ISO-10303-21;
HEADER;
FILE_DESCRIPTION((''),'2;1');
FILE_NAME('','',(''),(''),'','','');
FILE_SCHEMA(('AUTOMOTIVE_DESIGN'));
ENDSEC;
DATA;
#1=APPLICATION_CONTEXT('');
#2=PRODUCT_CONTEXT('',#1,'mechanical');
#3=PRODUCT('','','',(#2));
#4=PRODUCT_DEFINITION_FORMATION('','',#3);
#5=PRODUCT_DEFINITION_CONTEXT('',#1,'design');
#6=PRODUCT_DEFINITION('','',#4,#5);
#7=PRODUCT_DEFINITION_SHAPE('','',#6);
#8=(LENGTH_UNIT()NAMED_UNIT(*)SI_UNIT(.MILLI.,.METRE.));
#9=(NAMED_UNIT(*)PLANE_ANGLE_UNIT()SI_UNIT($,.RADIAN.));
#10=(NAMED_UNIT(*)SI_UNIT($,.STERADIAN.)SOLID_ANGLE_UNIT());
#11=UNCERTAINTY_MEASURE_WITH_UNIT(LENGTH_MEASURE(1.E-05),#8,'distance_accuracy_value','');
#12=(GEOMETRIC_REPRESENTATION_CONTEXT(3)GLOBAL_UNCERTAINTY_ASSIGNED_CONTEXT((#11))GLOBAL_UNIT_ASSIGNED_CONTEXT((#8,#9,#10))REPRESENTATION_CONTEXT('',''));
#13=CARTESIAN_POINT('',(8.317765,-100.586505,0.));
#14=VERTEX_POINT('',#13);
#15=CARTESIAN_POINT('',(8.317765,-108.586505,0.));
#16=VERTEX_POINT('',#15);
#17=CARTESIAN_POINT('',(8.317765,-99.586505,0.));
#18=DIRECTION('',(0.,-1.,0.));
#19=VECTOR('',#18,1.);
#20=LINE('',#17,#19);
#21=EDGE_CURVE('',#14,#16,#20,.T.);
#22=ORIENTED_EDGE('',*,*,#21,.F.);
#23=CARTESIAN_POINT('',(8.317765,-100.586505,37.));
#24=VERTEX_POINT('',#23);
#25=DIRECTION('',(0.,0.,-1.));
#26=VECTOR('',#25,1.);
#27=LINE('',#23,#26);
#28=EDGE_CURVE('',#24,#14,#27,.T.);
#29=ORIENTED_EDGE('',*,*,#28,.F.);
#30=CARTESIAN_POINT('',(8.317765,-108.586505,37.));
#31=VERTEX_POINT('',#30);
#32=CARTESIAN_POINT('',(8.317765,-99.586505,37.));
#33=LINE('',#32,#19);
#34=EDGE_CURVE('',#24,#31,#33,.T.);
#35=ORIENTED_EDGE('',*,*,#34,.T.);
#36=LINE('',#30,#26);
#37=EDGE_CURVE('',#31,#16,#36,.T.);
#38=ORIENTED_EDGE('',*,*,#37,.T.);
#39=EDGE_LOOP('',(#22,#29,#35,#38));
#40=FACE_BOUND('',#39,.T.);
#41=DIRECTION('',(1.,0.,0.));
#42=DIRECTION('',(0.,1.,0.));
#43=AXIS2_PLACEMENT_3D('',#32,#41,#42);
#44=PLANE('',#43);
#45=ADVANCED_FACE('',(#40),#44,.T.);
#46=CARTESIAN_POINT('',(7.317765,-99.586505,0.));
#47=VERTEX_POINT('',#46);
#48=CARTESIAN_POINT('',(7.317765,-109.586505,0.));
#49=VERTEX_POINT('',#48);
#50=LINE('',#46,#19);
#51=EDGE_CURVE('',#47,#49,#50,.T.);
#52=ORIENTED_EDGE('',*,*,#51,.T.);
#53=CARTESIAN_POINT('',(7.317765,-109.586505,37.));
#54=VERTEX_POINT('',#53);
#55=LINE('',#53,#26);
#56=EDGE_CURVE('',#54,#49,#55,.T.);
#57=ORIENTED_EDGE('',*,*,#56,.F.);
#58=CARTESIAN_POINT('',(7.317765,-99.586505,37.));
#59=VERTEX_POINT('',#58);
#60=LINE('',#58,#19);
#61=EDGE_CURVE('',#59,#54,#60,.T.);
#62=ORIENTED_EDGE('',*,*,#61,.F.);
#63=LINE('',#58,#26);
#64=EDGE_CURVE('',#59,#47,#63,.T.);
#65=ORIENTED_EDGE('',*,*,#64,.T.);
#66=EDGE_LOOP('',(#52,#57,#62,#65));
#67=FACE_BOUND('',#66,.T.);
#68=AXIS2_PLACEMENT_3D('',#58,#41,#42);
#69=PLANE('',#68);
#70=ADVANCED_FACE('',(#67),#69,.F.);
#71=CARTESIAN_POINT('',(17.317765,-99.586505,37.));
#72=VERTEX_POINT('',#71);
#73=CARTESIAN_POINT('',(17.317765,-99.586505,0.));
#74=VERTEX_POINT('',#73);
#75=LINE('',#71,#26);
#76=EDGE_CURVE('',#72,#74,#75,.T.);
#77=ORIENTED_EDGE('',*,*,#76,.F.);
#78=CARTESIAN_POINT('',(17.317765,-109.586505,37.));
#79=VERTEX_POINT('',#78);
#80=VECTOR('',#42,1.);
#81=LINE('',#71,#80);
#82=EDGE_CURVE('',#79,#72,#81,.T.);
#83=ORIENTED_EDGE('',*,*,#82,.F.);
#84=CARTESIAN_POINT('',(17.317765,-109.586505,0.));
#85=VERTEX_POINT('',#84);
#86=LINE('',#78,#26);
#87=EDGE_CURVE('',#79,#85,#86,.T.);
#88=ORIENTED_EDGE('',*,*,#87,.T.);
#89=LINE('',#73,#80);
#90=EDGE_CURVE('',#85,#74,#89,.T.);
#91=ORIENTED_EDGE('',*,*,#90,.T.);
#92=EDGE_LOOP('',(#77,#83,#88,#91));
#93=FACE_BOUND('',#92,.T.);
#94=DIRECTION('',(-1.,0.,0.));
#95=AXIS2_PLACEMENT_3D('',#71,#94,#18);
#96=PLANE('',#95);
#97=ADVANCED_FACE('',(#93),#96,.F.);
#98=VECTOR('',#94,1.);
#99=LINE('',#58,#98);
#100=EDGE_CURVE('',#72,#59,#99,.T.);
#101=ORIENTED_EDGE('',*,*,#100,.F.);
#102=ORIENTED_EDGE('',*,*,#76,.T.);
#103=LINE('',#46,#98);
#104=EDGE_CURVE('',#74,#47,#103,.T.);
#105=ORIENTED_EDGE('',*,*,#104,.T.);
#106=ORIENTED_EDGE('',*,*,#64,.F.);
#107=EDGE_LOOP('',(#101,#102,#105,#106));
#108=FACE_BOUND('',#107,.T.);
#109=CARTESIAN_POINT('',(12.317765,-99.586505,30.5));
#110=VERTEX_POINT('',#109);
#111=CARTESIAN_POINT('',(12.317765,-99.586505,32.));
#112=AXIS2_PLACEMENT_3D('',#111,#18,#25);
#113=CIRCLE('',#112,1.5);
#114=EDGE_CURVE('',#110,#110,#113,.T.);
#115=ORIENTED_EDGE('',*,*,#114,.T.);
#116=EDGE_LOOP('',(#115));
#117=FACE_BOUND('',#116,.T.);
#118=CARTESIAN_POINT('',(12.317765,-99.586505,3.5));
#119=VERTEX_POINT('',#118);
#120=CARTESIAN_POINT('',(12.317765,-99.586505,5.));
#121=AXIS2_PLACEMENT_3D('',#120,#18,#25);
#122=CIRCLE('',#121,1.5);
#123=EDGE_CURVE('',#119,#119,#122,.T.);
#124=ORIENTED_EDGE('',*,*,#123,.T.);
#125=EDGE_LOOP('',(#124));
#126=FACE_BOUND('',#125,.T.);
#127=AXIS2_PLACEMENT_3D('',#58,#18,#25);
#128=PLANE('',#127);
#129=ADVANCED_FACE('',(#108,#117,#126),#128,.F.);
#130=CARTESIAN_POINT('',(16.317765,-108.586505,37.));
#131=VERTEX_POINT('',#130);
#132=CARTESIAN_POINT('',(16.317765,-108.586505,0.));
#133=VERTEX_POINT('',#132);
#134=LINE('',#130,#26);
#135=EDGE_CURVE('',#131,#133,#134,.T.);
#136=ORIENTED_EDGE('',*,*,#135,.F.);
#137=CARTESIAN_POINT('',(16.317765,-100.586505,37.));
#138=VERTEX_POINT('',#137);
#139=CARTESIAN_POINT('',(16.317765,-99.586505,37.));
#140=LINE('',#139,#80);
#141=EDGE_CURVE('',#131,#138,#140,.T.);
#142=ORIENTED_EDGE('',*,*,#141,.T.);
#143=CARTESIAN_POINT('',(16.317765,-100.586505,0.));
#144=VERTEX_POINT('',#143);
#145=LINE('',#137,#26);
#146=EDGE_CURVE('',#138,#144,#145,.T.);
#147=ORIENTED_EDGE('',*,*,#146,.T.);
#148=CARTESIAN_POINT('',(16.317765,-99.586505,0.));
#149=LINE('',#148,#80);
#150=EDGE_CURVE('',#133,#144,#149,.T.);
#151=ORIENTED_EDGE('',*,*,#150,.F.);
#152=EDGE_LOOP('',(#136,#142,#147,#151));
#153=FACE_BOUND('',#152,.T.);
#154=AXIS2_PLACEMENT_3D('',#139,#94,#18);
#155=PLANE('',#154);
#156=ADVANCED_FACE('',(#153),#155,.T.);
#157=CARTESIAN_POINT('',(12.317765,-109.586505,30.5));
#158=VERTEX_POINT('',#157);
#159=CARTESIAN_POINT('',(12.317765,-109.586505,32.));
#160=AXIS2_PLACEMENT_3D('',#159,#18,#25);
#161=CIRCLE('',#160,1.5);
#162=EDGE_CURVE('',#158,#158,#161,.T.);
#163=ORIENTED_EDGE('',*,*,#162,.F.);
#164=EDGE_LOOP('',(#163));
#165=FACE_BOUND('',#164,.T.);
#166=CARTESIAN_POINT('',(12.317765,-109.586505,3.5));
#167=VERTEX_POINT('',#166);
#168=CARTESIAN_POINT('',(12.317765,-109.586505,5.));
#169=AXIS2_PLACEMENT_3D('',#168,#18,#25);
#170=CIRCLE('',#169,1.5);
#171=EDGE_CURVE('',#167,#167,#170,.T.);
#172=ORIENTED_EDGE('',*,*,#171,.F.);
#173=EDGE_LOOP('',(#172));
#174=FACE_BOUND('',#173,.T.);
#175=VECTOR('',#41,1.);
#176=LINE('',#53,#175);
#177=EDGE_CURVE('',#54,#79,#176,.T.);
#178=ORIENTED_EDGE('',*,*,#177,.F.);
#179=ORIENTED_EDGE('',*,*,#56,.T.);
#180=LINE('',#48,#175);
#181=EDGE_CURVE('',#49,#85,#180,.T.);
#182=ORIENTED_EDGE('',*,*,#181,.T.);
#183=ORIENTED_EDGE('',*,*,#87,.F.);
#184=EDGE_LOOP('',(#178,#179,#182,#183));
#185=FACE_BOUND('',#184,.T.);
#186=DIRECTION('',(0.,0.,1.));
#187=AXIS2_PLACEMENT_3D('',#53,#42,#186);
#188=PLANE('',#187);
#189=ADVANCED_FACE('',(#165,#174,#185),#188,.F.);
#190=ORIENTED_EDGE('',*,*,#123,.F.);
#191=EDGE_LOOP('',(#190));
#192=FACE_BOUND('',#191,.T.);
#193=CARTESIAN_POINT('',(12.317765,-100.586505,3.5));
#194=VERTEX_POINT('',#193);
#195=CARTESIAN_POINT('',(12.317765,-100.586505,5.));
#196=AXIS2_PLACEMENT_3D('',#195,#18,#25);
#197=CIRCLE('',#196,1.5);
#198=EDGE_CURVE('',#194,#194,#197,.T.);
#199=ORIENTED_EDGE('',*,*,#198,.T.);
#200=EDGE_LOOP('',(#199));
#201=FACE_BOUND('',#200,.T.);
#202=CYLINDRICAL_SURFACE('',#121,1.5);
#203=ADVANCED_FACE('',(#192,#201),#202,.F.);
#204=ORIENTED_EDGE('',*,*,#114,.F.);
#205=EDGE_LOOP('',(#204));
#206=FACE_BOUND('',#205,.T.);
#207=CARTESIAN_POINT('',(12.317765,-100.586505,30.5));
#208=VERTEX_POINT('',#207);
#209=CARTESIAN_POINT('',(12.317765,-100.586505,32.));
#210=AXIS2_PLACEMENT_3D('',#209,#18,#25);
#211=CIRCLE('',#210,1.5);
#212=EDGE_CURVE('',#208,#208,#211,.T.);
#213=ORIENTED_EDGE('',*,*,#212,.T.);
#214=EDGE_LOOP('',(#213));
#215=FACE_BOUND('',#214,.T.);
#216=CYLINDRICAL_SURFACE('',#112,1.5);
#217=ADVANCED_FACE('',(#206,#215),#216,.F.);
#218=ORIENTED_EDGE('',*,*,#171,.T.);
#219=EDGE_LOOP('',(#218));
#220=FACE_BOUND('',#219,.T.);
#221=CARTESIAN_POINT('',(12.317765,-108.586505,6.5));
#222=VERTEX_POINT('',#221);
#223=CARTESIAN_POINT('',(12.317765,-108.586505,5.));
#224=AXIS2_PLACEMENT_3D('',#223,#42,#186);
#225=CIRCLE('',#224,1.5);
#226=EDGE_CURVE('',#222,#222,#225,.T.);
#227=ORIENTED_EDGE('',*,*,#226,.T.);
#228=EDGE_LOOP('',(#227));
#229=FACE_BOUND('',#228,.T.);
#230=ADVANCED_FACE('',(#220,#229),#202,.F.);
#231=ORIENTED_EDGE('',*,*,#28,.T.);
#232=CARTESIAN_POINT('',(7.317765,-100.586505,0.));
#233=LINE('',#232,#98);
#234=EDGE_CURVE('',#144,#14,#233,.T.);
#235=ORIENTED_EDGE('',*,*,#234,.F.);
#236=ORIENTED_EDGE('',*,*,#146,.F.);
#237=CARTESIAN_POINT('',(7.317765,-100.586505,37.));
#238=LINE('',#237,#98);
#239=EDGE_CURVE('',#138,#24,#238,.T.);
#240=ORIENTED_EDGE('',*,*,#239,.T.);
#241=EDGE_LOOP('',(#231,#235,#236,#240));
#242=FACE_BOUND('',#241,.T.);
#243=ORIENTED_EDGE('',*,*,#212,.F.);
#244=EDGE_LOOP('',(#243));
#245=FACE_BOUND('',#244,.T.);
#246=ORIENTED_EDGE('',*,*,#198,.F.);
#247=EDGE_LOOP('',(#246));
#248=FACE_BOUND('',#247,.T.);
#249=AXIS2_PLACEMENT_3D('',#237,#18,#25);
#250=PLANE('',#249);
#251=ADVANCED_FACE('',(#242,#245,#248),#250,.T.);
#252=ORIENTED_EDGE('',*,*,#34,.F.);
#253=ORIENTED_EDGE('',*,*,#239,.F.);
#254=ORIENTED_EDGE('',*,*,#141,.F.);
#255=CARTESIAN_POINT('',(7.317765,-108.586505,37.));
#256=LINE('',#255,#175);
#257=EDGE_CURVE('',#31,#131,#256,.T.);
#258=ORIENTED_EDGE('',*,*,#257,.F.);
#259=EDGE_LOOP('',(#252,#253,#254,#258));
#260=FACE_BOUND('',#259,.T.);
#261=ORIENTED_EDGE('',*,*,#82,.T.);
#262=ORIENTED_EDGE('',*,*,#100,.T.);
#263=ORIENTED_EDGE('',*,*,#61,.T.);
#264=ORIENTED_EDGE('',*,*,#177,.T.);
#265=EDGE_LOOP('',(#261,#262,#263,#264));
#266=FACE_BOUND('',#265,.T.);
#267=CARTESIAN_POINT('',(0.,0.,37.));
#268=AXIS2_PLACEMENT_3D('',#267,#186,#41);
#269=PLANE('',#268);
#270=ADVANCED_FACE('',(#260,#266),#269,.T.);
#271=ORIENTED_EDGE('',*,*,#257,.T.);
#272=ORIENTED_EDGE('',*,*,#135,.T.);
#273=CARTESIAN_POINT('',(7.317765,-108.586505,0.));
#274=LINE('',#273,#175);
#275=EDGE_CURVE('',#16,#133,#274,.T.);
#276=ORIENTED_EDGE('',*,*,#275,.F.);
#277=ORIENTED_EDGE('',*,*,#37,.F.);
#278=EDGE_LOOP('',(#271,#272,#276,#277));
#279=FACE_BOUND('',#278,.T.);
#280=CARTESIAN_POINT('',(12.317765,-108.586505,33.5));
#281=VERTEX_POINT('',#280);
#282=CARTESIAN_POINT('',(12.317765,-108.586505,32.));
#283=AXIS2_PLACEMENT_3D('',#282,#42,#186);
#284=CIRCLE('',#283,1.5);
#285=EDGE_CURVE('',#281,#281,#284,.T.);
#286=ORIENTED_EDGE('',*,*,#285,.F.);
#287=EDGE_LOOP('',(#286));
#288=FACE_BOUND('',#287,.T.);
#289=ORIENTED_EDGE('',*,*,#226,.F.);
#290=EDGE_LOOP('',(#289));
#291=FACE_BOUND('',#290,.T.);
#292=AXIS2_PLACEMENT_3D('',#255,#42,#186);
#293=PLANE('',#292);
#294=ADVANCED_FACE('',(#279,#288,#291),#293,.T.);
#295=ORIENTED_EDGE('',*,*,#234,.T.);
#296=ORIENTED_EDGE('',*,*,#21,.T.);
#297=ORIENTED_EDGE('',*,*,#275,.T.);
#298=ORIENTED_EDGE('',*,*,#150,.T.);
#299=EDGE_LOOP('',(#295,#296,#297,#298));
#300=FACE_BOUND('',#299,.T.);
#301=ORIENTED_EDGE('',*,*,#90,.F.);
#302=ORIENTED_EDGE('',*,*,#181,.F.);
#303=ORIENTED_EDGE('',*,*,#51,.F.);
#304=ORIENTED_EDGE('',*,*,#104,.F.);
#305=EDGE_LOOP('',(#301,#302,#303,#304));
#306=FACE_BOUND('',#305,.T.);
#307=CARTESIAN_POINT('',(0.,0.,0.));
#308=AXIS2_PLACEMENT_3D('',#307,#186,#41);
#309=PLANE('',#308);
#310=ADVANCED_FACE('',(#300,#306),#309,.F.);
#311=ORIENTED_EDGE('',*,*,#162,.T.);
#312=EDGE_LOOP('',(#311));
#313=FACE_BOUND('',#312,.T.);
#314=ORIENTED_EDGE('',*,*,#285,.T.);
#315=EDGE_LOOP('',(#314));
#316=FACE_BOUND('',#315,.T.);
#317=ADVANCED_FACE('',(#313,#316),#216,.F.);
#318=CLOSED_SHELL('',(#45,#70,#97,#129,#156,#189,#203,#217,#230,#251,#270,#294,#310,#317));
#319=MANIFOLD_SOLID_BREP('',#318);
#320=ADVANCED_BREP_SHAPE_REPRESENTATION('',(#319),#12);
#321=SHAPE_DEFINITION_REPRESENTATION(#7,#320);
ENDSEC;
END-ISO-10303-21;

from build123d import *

# Parameters (mm, degrees)
SKETCH_1_W          = 10
SKETCH_1_H          = 10
SKETCH_1_W_2        = 8
SKETCH_1_H_2        = 8
EXTRUDE_1_DEPTH     = 37
SKETCH_2_R          = 1.5
CUT_EXTRUDE_1_DEPTH = 10


with BuildPart() as part:
    # 草图1 → 拉伸-薄壁1 (new body)
    with BuildSketch(Plane.XY):
        with Locations((12.317764791, -104.586504738)):
            Rectangle(SKETCH_1_W, SKETCH_1_H)
        with Locations((12.317764791, -104.586504738)):
            Rectangle(SKETCH_1_W_2, SKETCH_1_H_2, mode=Mode.SUBTRACT)
    extrude(amount=EXTRUDE_1_DEPTH)

    # 草图2 → 切除-拉伸1 (cut)
    with BuildSketch(Plane.XZ.offset(109.586504738)):
        with Locations((12.317764791, 5)):
            Circle(SKETCH_2_R)
        with Locations((12.317764791, 32)):
            Circle(SKETCH_2_R)
    extrude(amount=-CUT_EXTRUDE_1_DEPTH, mode=Mode.SUBTRACT)


solid = part.part
